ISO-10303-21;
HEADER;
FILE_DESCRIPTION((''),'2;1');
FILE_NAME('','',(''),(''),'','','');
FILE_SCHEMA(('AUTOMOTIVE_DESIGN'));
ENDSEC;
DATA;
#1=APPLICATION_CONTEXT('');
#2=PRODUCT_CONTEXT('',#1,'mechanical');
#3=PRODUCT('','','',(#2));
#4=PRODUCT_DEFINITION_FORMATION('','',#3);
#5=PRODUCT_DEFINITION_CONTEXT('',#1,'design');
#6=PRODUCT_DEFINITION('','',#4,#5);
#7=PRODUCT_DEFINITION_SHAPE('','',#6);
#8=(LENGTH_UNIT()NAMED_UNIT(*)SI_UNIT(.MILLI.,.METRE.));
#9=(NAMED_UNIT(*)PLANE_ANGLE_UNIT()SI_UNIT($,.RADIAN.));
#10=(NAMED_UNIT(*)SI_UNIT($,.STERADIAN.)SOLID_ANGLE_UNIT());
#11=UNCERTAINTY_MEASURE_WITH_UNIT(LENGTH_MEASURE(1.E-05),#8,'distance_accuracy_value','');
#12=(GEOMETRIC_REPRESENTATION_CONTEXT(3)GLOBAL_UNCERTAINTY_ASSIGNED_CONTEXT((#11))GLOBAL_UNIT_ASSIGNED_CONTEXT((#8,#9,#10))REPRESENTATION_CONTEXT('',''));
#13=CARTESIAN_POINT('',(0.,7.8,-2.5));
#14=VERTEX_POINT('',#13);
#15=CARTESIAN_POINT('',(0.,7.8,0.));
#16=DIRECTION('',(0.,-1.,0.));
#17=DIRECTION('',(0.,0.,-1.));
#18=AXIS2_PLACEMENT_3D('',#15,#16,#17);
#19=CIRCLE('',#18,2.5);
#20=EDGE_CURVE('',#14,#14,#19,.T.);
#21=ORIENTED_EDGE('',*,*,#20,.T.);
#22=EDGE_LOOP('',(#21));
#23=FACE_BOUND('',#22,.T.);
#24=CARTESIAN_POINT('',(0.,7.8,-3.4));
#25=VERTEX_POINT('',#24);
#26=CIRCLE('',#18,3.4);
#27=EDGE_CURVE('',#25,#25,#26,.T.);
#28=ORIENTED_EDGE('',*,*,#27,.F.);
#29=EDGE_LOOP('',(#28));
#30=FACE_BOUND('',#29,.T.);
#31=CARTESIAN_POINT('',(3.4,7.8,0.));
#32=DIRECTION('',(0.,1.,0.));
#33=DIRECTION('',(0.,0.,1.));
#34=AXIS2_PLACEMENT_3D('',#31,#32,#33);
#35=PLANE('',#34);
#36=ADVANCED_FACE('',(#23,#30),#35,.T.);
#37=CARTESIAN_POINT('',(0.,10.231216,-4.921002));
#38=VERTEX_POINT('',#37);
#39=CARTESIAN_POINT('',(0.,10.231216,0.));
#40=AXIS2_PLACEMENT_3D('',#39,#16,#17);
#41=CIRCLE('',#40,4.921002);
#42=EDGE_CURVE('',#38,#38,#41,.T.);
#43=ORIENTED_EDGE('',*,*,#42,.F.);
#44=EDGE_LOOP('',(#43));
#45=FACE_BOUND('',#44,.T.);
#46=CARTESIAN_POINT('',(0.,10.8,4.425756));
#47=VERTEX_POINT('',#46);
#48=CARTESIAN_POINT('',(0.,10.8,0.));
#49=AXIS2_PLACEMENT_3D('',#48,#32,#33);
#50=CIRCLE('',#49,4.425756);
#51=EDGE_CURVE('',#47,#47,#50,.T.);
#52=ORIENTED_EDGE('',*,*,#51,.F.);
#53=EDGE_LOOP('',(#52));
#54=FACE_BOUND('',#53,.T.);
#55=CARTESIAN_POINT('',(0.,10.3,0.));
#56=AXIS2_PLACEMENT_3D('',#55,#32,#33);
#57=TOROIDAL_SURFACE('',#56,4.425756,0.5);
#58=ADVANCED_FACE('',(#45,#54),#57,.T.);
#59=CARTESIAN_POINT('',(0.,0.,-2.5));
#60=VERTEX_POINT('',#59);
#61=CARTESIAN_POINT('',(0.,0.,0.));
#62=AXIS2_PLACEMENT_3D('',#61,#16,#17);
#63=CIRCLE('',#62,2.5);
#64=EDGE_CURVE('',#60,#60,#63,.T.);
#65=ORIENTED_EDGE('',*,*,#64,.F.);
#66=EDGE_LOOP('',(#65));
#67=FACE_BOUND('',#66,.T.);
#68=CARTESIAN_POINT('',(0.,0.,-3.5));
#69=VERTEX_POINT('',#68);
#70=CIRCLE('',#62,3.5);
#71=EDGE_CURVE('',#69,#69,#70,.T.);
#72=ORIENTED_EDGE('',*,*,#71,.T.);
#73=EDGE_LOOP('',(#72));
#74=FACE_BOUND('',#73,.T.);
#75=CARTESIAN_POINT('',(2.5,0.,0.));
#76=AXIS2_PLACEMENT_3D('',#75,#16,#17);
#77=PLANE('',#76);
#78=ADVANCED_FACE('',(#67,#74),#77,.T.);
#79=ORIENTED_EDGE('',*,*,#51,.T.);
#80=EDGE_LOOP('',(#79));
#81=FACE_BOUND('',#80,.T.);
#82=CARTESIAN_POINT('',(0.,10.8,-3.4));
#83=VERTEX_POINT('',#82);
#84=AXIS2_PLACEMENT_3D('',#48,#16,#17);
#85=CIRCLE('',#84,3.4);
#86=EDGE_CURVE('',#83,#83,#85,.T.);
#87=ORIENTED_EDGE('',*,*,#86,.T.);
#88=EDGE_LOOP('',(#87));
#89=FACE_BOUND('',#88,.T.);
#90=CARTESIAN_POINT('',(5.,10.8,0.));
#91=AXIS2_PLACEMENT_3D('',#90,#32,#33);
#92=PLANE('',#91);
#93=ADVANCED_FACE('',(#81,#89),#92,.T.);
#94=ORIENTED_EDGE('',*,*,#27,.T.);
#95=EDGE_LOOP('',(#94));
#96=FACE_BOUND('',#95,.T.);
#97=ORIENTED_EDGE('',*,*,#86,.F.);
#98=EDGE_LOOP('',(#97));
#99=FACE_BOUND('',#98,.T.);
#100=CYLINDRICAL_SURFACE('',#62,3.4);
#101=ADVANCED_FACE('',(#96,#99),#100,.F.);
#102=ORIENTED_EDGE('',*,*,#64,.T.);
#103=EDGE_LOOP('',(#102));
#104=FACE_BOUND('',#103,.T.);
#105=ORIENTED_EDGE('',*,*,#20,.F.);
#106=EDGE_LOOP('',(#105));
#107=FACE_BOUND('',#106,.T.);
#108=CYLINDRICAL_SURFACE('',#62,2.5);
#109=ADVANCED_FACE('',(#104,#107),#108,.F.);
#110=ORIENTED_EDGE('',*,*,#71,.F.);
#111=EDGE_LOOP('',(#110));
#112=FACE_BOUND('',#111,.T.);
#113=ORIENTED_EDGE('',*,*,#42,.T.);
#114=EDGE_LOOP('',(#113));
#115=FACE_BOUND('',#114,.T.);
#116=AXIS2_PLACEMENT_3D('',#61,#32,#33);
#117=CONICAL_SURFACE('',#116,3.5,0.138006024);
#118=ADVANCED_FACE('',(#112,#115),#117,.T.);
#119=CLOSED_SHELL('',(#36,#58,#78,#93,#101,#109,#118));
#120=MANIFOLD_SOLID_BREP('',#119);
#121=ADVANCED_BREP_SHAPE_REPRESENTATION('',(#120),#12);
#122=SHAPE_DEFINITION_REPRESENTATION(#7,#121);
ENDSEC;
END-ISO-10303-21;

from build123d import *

# Parameters (mm, degrees)
FILLET1_R = 0.5


with BuildPart() as part:
    # Sketch1 → Revolve1 (revolve)
    with BuildSketch(Plane.XY):
        Polygon((2.5, 0), (3.5, 0), (5, 10.8), (3.4, 10.8), (3.4, 7.8), (2.5, 7.8), align=None)
    revolve(axis=Axis((0, 0, 0), (0, 1, 0)))

    # Fillet1
    fillet1_edges = [part.edges().sort_by_distance(p)[0] for p in [
        (-5, 10.8, 0),
    ]]
    fillet(fillet1_edges, radius=FILLET1_R)


solid = part.part
